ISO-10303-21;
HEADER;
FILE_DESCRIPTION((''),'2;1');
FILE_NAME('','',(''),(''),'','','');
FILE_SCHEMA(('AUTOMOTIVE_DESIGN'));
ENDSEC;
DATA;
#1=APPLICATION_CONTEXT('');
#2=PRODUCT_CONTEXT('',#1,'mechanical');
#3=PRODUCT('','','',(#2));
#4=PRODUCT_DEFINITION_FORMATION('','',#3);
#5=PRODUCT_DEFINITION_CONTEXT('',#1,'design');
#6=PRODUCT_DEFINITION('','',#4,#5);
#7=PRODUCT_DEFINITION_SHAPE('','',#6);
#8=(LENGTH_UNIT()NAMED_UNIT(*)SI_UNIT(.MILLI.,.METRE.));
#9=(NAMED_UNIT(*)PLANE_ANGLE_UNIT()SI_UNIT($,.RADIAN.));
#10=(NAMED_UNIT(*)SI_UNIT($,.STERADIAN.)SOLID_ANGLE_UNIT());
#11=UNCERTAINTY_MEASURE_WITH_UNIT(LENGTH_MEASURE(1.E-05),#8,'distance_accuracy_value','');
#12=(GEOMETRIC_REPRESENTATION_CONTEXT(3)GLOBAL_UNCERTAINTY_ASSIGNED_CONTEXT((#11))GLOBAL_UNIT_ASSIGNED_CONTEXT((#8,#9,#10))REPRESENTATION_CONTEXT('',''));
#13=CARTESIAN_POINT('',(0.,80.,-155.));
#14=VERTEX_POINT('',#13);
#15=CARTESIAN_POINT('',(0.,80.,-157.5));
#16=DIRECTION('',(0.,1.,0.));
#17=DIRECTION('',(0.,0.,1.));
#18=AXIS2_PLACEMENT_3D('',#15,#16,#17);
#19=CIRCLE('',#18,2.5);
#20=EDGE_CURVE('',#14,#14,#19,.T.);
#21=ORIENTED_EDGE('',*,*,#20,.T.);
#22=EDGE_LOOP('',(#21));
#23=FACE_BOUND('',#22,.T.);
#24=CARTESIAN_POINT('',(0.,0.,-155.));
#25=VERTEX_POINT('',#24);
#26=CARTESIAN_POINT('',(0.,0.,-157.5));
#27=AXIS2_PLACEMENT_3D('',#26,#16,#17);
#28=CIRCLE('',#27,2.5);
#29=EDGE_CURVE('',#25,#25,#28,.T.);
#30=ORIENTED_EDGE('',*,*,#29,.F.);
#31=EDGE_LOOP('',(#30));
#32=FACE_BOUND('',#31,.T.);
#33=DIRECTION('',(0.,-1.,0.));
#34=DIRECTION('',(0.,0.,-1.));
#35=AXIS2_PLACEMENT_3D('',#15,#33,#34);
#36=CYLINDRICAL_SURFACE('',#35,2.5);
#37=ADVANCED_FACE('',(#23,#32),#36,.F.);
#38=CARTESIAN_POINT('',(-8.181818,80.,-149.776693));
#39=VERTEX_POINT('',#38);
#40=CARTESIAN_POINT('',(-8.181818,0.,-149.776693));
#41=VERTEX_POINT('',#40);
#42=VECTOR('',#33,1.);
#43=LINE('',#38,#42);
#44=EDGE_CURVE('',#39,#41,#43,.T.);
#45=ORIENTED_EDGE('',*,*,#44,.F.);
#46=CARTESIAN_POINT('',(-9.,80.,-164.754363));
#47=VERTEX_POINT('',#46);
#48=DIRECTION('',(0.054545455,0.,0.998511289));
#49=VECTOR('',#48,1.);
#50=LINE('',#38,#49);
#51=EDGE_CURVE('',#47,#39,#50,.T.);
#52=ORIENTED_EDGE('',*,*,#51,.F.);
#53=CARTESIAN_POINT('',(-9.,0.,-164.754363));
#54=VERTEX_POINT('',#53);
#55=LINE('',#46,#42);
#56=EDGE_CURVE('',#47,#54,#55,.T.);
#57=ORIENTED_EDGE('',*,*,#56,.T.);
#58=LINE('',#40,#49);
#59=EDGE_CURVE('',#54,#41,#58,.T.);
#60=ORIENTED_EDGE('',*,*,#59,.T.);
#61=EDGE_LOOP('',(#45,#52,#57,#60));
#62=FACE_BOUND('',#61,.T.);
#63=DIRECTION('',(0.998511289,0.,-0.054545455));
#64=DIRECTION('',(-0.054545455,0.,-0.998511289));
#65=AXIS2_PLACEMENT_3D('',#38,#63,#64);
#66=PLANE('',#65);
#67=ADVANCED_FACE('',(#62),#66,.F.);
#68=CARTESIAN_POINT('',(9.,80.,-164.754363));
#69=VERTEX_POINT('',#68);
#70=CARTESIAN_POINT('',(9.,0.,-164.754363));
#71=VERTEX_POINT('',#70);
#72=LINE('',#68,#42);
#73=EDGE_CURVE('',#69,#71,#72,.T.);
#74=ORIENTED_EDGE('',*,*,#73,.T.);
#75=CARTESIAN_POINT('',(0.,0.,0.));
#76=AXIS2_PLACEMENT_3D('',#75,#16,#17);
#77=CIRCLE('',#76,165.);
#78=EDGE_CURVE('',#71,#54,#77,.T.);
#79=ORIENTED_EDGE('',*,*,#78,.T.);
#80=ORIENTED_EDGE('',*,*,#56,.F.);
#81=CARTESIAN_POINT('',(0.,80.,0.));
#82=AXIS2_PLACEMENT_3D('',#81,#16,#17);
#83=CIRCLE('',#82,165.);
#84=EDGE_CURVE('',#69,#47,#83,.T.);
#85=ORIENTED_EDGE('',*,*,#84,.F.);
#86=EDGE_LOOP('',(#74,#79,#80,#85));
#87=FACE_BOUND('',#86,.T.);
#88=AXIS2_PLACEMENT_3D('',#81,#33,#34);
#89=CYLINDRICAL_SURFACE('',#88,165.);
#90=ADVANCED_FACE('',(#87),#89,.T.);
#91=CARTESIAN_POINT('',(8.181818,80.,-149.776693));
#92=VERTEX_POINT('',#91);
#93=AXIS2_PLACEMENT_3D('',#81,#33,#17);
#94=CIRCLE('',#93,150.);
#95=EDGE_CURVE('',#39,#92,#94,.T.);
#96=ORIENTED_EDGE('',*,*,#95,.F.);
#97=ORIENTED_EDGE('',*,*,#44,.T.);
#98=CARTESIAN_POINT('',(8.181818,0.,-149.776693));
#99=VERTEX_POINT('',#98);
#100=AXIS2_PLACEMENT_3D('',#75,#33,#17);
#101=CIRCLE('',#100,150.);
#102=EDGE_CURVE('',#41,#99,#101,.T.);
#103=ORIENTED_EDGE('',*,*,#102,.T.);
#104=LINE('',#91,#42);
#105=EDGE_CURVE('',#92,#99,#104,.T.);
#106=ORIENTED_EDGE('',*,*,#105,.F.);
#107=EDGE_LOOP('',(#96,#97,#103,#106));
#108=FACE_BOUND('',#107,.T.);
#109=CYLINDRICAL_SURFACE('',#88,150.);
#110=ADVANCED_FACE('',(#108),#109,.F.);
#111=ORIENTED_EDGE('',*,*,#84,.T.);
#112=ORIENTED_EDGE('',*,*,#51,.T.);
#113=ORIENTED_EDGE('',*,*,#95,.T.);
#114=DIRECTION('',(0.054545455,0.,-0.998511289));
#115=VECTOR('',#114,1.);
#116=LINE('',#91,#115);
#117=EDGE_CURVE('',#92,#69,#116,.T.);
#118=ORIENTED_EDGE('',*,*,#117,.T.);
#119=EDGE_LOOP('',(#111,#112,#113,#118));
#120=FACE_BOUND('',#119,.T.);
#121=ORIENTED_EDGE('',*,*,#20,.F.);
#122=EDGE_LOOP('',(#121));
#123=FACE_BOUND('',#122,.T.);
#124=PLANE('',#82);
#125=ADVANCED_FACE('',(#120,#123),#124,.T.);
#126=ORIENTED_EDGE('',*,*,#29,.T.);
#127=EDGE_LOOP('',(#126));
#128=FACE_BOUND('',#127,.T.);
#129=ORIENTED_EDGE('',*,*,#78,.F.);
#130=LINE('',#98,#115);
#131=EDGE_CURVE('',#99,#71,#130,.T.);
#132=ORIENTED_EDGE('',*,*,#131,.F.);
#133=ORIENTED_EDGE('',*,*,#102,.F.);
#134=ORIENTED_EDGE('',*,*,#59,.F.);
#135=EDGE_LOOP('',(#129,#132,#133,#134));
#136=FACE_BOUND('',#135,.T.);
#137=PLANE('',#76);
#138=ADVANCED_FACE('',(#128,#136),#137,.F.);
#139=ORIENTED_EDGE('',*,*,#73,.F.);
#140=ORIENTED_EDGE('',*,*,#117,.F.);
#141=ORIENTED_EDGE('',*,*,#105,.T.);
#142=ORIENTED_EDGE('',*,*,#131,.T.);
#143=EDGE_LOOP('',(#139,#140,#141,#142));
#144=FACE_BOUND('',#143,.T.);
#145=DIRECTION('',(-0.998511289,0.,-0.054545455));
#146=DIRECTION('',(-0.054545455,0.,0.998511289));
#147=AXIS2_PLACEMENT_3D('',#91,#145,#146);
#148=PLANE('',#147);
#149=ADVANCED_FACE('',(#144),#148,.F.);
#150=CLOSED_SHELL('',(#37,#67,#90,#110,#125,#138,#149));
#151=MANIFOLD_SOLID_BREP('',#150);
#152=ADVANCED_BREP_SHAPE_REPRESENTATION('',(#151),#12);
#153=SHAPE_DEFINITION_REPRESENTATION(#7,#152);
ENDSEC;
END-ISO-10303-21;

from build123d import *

# Parameters (mm, degrees)
SKETCH_1_R      = 2.5
EXTRUDE_1_DEPTH = 80


with BuildPart() as part:
    # 草图1 → 凸台-拉伸1 (new body)
    with BuildSketch(Plane(origin=(0, 0, 0), x_dir=(1, 0, 0), z_dir=(0, 1, 0))):
        with BuildLine():
            Line((-8.181818182, 149.776693285), (-9, 164.754362613))
            ThreePointArc((-9, 164.754362613), (0, 165), (9, 164.754362613))
            Line((9, 164.754362613), (8.181818182, 149.776693285))
            ThreePointArc((8.181818182, 149.776693285), (0, 150), (-8.181818182, 149.776693285))
        make_face()
        with Locations(Location((0, 157.5, 0), (0, 0, 270))):
            Circle(SKETCH_1_R, mode=Mode.SUBTRACT)
    extrude(amount=EXTRUDE_1_DEPTH)


solid = part.part
